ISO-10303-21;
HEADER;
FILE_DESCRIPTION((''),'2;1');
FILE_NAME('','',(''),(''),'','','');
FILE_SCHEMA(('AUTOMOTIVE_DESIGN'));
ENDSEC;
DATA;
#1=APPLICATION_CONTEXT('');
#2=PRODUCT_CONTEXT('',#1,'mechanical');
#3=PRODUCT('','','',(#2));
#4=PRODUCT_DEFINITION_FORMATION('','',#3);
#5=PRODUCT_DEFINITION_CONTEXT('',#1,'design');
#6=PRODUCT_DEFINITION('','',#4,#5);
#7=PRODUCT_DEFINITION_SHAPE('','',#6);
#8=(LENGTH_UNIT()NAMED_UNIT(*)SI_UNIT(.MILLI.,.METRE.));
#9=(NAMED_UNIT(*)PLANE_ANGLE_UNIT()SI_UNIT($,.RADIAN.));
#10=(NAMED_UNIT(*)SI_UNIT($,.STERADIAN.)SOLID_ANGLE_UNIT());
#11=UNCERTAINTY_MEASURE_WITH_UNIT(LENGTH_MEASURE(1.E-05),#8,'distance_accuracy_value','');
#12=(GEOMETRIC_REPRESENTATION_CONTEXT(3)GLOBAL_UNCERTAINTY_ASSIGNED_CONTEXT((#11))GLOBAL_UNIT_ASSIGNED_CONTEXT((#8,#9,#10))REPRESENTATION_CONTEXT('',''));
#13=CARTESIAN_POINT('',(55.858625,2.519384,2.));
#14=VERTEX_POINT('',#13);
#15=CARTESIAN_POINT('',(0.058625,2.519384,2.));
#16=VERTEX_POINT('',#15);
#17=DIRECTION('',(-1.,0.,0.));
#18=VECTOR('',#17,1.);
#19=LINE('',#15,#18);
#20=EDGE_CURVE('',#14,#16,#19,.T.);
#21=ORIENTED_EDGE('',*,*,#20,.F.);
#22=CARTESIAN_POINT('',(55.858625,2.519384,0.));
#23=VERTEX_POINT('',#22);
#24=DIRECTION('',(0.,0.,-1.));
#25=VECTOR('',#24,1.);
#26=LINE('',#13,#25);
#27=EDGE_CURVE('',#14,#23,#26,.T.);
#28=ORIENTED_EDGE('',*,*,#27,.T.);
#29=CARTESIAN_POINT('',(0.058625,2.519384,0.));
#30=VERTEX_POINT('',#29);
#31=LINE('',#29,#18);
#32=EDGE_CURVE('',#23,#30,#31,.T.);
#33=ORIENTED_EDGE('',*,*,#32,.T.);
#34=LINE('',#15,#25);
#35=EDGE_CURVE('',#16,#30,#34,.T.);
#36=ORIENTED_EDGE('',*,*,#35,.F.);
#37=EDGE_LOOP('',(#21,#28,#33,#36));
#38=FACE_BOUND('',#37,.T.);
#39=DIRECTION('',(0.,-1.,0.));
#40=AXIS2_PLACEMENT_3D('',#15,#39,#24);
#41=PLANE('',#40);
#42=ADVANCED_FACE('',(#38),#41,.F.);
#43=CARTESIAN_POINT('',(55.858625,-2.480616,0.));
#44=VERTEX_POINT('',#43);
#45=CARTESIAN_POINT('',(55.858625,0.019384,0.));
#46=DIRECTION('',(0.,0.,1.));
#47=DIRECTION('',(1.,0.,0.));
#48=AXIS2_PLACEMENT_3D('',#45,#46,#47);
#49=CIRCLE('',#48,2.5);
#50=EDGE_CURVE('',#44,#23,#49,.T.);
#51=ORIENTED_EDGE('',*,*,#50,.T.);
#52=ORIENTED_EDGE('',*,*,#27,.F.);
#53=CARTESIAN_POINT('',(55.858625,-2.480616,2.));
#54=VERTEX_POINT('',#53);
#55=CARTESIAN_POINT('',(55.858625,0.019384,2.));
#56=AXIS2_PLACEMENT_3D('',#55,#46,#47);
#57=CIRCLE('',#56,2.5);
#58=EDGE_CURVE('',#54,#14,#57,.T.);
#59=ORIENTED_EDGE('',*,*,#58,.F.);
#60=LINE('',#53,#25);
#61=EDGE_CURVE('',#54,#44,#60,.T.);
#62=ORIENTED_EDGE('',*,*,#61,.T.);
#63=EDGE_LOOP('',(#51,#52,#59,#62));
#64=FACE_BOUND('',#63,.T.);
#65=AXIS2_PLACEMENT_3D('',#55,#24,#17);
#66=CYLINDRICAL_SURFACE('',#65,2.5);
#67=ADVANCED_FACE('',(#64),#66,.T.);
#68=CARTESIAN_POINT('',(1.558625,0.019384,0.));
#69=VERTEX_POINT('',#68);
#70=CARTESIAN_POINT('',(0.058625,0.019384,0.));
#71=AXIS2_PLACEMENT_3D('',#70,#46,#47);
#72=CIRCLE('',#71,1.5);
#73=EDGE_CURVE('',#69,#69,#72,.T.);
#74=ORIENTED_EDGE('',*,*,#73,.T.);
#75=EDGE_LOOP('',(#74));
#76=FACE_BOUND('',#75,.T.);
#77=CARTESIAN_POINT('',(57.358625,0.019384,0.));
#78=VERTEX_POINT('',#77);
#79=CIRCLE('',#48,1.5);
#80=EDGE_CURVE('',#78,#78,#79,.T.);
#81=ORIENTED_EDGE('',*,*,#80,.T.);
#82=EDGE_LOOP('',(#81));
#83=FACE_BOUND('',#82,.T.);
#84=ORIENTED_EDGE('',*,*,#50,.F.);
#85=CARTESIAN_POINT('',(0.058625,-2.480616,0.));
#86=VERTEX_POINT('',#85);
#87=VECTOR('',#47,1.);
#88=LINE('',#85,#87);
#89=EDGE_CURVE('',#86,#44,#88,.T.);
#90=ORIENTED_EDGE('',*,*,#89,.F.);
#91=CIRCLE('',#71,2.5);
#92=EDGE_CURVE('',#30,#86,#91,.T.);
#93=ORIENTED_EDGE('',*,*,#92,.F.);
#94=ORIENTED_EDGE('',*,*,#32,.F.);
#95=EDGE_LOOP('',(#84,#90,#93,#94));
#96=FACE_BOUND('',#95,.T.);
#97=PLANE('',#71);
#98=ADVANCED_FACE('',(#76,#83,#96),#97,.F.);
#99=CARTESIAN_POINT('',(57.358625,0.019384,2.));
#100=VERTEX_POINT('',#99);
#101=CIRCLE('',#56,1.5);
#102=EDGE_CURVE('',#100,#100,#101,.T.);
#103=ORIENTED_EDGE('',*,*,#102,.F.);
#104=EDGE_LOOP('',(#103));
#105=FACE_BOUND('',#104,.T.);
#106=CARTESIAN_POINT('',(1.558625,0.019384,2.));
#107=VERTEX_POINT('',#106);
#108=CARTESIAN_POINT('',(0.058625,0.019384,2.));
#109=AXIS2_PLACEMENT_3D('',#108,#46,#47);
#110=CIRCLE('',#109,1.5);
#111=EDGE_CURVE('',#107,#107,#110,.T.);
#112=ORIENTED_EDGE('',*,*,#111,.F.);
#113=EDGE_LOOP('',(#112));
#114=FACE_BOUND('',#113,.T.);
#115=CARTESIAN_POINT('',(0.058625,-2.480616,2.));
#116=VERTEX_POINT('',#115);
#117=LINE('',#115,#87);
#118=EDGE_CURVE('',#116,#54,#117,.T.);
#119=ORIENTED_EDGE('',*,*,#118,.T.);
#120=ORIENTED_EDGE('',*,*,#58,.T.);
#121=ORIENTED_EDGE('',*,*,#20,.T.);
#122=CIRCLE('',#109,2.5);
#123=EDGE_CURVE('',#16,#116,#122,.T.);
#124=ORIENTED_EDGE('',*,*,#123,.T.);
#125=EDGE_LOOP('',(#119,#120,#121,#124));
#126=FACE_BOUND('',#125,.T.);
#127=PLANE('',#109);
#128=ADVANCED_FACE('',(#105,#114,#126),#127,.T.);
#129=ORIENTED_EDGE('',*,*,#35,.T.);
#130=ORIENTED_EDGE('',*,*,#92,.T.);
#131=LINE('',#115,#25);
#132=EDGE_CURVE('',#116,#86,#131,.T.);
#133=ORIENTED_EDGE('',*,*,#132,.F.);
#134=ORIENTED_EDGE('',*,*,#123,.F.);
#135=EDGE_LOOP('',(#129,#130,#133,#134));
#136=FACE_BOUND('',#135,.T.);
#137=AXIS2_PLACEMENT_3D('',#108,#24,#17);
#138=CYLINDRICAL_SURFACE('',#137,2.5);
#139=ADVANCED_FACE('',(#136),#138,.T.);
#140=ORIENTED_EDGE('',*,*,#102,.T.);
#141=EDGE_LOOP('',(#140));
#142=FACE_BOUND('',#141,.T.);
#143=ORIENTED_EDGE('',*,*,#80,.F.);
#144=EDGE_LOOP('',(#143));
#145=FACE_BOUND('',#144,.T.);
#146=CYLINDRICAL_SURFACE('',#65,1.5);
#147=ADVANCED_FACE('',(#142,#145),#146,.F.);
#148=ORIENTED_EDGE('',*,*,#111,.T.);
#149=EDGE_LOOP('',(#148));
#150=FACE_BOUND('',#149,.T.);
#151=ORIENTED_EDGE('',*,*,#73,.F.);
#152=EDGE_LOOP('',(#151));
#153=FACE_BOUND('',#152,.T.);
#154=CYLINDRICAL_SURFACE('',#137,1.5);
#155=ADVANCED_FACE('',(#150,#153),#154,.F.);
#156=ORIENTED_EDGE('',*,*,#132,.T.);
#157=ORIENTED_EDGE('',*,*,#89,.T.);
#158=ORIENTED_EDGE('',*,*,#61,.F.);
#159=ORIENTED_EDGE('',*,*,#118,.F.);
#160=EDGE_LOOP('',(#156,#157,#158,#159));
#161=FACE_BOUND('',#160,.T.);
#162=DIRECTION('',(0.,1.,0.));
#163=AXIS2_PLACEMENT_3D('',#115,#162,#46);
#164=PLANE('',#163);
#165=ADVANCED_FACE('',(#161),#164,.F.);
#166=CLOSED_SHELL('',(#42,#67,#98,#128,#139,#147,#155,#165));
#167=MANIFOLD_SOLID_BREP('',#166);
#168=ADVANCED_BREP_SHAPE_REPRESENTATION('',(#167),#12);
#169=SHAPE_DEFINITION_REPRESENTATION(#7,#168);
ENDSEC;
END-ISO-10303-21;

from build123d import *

# Parameters (mm, degrees)
SKETCH1_R           = 1.5
BOSS_EXTRUDE1_DEPTH = 2


with BuildPart() as part:
    # Sketch1 → Boss-Extrude1 (new body)
    with BuildSketch(Plane.XY):
        with BuildLine():
            Line((0.058624922, 2.519383592), (55.858624922, 2.519383592))
            ThreePointArc((55.858624922, 2.519383592), (58.358624922, 0.019383592), (55.858624922, -2.480616408))
            Line((55.858624922, -2.480616408), (0.058624922, -2.480616408))
            ThreePointArc((0.058624922, -2.480616408), (-2.441375078, 0.019383592), (0.058624922, 2.519383592))
        make_face()
        with Locations((0.058624922, 0.019383592)):
            Circle(SKETCH1_R, mode=Mode.SUBTRACT)
        with Locations((55.858624922, 0.019383592)):
            Circle(SKETCH1_R, mode=Mode.SUBTRACT)
    extrude(amount=BOSS_EXTRUDE1_DEPTH)


solid = part.part
